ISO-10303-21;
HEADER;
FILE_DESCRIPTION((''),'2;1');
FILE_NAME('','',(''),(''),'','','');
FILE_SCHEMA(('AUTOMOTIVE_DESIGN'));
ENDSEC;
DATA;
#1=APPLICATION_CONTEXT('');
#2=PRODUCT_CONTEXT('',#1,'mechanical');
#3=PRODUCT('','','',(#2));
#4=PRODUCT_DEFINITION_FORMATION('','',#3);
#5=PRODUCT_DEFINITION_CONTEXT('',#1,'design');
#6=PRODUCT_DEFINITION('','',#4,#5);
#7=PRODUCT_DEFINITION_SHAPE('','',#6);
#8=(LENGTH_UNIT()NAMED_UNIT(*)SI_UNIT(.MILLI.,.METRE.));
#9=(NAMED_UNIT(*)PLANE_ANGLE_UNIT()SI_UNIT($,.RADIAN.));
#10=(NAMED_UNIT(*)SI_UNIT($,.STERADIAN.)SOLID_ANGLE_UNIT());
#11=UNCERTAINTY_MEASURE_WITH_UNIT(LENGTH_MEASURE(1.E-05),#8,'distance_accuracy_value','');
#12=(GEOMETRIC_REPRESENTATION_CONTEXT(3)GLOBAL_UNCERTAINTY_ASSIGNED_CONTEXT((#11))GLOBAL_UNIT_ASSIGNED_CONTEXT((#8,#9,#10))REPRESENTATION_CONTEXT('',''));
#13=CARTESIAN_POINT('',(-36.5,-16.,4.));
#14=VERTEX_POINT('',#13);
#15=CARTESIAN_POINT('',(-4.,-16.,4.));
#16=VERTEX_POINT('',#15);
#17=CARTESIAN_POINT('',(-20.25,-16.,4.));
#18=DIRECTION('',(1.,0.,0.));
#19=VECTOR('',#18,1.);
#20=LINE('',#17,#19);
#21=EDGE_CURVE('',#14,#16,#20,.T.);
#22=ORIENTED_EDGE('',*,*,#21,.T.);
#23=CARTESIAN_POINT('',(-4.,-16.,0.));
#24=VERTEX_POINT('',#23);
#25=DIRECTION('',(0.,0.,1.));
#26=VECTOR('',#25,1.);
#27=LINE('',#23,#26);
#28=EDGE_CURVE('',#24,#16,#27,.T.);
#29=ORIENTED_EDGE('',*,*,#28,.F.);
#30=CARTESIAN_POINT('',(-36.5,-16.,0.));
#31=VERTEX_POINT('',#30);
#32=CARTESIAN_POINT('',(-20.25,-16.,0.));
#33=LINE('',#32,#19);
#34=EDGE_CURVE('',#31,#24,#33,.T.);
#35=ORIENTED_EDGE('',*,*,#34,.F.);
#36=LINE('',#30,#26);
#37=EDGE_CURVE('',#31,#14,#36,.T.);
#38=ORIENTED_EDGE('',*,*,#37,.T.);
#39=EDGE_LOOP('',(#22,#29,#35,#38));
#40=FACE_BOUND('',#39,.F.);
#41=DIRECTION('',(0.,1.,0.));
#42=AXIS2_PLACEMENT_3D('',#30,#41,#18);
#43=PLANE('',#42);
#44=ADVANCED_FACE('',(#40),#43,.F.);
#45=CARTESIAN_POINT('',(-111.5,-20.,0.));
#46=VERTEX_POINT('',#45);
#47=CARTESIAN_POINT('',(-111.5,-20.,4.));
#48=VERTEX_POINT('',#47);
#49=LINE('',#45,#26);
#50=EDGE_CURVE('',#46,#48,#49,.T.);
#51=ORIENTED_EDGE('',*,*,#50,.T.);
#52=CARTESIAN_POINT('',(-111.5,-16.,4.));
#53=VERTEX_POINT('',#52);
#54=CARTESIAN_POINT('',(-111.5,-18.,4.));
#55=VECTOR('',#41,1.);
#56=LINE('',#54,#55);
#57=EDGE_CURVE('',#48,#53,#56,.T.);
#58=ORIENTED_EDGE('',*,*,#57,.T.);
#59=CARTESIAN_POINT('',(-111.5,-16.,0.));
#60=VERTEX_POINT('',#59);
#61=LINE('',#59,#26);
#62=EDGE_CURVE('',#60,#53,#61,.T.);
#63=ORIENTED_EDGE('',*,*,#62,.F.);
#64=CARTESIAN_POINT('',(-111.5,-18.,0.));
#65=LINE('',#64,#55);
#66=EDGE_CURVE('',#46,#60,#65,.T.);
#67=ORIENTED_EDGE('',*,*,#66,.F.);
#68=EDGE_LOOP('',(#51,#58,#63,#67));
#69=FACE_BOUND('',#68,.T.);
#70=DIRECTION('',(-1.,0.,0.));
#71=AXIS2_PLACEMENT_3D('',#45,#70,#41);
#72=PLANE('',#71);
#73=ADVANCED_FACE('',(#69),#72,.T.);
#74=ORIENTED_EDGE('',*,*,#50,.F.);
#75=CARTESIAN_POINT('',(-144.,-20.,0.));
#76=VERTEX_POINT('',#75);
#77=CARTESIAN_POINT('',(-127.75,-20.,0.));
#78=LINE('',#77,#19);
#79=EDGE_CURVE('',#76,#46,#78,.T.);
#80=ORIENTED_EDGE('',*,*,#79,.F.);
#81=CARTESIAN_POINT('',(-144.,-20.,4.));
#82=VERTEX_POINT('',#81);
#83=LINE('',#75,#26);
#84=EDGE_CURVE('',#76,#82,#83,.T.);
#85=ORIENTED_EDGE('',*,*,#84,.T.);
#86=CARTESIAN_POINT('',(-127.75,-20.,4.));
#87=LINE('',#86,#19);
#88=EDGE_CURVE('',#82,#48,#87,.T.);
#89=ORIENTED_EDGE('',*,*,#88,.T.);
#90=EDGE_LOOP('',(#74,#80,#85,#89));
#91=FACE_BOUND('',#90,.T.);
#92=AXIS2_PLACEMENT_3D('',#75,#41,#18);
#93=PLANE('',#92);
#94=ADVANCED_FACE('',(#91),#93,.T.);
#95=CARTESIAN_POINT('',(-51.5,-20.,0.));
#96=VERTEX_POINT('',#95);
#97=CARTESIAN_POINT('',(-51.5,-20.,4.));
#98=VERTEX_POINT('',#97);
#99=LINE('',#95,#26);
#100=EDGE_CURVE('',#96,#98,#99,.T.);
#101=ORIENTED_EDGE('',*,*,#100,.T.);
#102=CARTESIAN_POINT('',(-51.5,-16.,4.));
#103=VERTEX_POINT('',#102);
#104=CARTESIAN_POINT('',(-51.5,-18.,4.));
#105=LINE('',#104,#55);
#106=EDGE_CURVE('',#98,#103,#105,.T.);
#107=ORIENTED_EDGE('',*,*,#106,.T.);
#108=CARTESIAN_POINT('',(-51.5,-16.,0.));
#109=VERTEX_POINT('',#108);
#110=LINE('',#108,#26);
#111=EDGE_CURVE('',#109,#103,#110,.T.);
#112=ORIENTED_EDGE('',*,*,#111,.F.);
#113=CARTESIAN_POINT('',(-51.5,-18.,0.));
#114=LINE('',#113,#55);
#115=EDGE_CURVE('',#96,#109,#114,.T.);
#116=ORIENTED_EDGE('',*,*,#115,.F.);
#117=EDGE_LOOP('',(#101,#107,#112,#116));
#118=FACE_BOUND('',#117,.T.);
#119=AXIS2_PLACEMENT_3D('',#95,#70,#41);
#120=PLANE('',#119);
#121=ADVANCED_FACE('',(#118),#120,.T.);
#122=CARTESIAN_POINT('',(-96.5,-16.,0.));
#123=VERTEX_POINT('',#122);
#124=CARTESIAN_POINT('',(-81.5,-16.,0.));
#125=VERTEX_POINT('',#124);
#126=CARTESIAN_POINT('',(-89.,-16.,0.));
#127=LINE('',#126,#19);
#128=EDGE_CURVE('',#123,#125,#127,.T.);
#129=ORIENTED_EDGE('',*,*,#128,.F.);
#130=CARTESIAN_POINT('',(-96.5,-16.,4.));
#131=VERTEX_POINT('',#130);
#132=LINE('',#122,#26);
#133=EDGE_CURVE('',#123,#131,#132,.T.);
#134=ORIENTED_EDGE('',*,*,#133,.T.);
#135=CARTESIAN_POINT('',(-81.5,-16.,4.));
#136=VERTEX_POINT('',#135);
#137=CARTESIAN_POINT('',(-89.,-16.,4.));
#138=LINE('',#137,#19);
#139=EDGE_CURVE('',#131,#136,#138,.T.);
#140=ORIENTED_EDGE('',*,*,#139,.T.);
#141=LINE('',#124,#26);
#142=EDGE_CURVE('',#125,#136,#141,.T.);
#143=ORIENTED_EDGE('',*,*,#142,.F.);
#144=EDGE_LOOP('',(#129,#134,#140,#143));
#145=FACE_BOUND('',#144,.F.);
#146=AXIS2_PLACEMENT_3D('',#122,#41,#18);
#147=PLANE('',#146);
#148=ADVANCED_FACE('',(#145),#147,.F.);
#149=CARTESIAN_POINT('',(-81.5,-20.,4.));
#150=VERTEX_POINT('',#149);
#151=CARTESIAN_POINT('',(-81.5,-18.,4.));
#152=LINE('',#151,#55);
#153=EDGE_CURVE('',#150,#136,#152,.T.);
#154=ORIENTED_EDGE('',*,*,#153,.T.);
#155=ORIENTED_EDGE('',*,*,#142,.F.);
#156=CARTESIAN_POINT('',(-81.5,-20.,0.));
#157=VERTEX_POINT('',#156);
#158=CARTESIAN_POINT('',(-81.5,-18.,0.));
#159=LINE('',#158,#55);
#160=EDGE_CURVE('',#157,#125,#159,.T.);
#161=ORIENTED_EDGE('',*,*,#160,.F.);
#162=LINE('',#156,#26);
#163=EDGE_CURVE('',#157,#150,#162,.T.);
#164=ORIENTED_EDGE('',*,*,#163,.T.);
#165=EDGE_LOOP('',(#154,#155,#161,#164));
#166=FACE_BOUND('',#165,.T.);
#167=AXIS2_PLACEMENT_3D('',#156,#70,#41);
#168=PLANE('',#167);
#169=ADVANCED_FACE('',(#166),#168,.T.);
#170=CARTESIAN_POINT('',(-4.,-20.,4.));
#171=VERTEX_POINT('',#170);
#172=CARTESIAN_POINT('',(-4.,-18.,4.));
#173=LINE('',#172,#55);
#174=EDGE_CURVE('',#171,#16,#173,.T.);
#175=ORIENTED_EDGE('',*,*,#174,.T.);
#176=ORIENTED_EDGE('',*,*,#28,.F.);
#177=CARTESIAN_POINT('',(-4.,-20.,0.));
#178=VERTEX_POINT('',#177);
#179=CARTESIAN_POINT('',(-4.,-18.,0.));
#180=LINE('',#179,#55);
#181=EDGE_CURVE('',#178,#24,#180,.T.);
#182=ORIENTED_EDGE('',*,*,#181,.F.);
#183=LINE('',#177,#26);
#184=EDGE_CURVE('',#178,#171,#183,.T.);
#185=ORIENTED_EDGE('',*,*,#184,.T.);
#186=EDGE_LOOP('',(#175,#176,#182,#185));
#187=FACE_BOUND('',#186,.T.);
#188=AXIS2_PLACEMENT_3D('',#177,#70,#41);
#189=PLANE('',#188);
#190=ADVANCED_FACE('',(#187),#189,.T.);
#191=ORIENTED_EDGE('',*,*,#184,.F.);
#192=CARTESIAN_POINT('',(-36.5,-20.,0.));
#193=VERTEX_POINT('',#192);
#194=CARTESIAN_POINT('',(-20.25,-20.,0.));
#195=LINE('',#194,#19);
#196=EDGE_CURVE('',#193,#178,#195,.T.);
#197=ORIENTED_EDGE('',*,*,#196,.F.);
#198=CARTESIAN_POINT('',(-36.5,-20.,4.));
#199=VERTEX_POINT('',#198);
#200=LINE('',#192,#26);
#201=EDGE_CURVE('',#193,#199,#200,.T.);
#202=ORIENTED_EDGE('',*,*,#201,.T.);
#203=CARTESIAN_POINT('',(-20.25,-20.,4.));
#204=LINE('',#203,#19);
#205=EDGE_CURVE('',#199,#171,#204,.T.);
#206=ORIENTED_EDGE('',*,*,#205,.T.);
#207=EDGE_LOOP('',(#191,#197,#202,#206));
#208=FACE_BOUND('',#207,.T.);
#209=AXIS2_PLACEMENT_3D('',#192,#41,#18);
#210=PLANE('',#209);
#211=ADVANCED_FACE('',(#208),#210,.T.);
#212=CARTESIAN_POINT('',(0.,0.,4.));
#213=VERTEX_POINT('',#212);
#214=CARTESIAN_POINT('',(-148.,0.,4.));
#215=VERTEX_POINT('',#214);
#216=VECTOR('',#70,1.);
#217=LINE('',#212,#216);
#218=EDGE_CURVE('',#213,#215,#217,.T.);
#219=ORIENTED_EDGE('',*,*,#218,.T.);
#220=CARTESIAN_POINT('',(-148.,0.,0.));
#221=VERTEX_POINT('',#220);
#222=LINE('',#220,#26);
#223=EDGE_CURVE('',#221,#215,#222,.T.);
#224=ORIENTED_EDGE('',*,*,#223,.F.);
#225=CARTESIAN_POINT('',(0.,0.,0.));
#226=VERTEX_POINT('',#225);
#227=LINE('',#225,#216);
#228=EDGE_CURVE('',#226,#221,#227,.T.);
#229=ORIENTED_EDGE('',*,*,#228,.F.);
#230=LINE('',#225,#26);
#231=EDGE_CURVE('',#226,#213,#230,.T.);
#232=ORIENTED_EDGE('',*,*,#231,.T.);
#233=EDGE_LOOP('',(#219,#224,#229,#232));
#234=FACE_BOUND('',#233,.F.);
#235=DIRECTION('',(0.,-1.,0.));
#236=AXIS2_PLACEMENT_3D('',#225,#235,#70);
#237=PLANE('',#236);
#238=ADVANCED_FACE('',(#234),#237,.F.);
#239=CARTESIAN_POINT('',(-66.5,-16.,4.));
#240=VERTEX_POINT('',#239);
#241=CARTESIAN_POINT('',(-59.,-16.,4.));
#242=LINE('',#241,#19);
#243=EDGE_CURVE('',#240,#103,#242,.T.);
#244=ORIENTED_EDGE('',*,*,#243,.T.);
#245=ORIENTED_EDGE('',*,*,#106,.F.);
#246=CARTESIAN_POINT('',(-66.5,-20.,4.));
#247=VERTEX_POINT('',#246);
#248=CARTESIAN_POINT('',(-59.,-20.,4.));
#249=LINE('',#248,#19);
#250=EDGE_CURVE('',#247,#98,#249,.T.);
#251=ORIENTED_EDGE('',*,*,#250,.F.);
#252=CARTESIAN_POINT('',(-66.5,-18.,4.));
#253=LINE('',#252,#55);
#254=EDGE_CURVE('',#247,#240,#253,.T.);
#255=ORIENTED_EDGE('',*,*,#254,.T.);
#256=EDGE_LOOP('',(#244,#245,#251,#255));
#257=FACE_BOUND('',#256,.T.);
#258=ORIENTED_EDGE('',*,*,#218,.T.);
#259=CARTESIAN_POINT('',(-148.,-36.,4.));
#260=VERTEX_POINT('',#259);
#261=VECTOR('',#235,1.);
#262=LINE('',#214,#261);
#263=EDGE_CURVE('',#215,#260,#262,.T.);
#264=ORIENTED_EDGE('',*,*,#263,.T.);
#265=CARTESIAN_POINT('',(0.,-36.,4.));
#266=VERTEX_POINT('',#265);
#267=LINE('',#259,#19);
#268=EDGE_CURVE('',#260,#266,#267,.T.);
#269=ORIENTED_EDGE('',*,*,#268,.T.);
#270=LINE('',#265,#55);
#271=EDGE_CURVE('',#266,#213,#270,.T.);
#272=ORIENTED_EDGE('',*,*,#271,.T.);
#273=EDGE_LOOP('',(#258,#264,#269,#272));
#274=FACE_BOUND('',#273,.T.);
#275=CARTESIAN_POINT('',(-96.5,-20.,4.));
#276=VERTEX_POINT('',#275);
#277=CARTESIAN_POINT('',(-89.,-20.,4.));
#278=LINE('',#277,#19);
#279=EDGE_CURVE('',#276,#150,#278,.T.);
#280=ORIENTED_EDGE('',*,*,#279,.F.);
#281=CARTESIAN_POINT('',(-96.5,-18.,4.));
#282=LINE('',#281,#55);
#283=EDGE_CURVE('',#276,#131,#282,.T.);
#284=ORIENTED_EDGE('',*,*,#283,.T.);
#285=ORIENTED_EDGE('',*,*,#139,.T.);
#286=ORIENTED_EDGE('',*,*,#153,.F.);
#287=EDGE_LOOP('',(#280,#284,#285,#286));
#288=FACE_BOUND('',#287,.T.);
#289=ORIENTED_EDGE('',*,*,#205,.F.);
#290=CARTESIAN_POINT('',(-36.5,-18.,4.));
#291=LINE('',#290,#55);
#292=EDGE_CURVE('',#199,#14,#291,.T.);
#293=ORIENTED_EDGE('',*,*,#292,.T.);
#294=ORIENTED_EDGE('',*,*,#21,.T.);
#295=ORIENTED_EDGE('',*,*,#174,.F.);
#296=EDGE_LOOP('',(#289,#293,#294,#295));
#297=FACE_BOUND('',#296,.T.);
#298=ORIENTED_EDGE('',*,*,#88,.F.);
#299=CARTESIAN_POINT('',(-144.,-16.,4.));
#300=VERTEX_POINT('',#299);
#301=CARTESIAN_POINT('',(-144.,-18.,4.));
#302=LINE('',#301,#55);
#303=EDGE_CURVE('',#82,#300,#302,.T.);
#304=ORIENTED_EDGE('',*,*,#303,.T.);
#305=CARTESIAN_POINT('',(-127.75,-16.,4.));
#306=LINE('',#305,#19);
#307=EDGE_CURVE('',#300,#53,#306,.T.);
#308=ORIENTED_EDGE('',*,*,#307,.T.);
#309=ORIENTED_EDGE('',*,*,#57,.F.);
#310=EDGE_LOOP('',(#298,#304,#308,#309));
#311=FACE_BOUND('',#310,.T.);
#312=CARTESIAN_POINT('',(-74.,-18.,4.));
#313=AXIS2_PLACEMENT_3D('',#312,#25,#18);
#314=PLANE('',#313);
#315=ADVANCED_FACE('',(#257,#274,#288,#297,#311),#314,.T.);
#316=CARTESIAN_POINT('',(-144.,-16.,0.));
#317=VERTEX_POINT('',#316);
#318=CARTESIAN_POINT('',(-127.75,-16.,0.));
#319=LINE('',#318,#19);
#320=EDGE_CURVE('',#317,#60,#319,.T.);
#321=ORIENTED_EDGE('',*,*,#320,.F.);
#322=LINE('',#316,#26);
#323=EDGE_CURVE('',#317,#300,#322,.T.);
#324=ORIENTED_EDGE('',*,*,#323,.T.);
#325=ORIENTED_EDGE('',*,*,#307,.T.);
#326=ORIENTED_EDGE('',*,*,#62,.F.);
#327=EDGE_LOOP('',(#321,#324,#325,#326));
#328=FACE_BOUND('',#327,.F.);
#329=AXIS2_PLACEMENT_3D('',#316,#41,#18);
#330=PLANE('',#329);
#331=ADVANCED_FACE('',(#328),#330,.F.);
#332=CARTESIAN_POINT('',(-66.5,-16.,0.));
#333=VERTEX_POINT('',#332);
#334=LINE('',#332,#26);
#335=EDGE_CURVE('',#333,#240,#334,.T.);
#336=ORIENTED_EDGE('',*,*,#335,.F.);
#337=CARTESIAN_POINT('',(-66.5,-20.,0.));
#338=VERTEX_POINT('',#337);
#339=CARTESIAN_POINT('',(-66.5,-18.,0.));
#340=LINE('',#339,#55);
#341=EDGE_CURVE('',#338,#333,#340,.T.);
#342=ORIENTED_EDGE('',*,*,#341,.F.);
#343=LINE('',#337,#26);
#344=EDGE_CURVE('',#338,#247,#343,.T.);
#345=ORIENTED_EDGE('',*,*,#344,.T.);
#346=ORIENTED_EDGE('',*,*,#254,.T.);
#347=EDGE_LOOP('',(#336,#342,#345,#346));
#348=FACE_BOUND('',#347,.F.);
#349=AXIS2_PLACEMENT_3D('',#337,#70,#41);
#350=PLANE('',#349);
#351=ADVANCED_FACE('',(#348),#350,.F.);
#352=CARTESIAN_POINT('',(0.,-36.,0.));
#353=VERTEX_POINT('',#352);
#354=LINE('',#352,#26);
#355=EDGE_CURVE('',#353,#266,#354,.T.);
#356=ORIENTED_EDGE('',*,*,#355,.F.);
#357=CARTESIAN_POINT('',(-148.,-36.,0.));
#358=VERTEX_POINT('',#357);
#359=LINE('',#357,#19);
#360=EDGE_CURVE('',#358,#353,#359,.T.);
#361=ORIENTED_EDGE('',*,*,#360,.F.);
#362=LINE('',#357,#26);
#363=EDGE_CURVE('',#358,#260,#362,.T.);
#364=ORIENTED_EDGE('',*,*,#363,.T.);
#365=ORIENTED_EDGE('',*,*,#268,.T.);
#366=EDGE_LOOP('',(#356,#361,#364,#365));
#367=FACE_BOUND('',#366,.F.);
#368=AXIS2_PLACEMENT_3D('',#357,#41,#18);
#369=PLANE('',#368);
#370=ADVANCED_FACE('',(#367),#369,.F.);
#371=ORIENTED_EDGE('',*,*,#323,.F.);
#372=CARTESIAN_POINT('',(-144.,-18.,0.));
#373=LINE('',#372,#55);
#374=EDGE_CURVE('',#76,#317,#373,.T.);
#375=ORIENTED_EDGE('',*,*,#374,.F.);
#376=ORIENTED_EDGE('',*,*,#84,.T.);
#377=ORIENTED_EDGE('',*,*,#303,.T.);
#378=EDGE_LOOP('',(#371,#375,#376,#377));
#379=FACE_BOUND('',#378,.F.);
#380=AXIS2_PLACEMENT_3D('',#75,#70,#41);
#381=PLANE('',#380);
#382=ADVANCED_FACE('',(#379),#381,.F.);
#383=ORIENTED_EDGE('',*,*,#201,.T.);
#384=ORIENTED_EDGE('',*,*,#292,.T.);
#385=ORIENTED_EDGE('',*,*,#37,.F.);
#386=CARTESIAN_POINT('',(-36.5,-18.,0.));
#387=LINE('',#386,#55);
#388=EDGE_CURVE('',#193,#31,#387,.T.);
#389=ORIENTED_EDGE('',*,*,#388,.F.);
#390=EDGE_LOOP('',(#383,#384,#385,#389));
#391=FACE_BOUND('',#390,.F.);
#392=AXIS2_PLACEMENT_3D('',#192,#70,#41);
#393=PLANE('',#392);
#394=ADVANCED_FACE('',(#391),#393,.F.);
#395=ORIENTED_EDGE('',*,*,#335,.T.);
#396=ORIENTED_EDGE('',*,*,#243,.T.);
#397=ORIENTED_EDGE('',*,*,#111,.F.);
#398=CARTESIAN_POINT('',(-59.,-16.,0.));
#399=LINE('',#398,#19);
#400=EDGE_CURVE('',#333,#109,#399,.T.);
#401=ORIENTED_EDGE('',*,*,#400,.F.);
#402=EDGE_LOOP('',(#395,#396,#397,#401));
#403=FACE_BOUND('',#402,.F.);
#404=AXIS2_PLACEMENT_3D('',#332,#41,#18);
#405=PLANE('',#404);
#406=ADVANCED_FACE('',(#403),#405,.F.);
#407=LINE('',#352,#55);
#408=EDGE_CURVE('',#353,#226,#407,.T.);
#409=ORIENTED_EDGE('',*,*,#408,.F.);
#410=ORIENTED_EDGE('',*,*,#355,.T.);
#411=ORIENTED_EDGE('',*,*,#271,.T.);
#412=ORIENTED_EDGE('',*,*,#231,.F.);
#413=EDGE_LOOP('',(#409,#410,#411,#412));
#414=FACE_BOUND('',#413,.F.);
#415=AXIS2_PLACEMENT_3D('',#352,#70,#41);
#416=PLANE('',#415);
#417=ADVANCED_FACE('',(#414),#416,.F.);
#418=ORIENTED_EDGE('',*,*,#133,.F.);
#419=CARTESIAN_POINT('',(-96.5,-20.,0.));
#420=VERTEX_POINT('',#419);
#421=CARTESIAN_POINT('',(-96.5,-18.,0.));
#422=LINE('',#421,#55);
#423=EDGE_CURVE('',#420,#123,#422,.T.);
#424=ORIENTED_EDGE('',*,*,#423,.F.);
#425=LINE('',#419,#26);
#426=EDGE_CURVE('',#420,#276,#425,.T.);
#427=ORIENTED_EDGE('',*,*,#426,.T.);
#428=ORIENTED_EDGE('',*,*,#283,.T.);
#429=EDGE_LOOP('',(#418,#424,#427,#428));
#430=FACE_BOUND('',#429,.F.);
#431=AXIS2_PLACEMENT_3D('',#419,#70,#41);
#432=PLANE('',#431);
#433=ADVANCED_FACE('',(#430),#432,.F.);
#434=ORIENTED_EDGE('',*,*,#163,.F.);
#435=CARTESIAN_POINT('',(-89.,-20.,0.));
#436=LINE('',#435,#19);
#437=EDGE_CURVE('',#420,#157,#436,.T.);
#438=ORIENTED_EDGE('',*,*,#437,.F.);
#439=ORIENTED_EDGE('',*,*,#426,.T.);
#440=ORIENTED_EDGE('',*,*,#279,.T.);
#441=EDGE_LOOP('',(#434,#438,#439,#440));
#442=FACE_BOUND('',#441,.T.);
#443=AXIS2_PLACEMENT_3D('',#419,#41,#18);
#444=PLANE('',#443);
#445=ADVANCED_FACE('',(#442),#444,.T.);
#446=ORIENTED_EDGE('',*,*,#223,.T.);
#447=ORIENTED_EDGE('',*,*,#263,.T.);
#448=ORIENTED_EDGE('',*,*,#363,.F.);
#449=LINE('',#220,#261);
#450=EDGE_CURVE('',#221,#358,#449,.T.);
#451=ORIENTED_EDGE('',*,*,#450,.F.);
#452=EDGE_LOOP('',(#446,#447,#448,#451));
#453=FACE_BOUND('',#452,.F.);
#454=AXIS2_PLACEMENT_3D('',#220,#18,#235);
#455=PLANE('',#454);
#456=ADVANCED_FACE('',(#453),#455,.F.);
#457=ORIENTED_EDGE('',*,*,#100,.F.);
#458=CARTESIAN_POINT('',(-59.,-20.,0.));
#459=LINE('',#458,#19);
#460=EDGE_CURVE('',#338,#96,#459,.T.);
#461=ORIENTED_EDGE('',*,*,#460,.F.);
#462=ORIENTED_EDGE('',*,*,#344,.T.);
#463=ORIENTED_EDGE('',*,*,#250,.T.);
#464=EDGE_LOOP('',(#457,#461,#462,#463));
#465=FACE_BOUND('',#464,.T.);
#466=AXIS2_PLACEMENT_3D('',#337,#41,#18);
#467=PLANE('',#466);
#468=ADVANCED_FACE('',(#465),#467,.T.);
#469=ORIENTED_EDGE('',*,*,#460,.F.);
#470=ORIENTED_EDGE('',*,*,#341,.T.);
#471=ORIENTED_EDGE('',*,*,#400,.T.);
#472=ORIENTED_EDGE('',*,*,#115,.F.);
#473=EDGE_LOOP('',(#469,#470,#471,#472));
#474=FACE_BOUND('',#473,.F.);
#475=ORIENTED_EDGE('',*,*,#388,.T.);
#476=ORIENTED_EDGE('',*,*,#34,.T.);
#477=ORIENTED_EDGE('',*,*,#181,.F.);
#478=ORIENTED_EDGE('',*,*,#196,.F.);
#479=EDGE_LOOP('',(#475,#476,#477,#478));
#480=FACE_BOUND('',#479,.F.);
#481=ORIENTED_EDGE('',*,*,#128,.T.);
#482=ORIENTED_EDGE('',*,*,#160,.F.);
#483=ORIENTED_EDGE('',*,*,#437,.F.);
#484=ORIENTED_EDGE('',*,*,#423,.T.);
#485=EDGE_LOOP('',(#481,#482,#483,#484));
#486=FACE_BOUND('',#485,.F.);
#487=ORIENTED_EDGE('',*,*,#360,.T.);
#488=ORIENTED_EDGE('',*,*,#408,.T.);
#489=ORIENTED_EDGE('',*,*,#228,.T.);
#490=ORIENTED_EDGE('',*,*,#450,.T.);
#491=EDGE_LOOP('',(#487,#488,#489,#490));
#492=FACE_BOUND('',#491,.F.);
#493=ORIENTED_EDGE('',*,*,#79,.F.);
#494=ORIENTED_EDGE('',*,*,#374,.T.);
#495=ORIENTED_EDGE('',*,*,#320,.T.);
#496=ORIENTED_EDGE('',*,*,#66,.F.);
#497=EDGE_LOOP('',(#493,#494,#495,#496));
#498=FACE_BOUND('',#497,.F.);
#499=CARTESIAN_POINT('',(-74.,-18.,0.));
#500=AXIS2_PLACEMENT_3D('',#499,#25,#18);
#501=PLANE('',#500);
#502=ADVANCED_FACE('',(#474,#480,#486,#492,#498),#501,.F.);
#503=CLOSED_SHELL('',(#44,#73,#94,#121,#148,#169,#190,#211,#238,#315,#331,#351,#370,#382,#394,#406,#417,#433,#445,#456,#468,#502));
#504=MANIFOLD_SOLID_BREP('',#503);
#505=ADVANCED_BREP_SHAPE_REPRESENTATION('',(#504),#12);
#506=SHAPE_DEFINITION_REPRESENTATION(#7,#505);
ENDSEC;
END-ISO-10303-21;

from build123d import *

# Parameters (mm, degrees)
F0_W     = 32.5
F0_H     = 4
F0_W_2   = 15
F1_DEPTH = 4


with BuildPart() as f1:
    # F0 (on Top) → F1 (new body)
    with BuildSketch(Plane.XY):
        Polygon((0, -16), (0, 0), (-148, 0), (-148, -16), (-148, -20), (-148, -36), (0, -36), (0, -20), align=None)
        with Locations((-127.75, -18)):
            Rectangle(F0_W, F0_H, mode=Mode.SUBTRACT)
        with Locations((-89, -18)):
            Rectangle(F0_W_2, F0_H, mode=Mode.SUBTRACT)
        with Locations((-59, -18)):
            Rectangle(F0_W_2, F0_H, mode=Mode.SUBTRACT)
        with Locations((-20.25, -18)):
            Rectangle(F0_W, F0_H, mode=Mode.SUBTRACT)
    extrude(amount=F1_DEPTH)


solid = f1.part
